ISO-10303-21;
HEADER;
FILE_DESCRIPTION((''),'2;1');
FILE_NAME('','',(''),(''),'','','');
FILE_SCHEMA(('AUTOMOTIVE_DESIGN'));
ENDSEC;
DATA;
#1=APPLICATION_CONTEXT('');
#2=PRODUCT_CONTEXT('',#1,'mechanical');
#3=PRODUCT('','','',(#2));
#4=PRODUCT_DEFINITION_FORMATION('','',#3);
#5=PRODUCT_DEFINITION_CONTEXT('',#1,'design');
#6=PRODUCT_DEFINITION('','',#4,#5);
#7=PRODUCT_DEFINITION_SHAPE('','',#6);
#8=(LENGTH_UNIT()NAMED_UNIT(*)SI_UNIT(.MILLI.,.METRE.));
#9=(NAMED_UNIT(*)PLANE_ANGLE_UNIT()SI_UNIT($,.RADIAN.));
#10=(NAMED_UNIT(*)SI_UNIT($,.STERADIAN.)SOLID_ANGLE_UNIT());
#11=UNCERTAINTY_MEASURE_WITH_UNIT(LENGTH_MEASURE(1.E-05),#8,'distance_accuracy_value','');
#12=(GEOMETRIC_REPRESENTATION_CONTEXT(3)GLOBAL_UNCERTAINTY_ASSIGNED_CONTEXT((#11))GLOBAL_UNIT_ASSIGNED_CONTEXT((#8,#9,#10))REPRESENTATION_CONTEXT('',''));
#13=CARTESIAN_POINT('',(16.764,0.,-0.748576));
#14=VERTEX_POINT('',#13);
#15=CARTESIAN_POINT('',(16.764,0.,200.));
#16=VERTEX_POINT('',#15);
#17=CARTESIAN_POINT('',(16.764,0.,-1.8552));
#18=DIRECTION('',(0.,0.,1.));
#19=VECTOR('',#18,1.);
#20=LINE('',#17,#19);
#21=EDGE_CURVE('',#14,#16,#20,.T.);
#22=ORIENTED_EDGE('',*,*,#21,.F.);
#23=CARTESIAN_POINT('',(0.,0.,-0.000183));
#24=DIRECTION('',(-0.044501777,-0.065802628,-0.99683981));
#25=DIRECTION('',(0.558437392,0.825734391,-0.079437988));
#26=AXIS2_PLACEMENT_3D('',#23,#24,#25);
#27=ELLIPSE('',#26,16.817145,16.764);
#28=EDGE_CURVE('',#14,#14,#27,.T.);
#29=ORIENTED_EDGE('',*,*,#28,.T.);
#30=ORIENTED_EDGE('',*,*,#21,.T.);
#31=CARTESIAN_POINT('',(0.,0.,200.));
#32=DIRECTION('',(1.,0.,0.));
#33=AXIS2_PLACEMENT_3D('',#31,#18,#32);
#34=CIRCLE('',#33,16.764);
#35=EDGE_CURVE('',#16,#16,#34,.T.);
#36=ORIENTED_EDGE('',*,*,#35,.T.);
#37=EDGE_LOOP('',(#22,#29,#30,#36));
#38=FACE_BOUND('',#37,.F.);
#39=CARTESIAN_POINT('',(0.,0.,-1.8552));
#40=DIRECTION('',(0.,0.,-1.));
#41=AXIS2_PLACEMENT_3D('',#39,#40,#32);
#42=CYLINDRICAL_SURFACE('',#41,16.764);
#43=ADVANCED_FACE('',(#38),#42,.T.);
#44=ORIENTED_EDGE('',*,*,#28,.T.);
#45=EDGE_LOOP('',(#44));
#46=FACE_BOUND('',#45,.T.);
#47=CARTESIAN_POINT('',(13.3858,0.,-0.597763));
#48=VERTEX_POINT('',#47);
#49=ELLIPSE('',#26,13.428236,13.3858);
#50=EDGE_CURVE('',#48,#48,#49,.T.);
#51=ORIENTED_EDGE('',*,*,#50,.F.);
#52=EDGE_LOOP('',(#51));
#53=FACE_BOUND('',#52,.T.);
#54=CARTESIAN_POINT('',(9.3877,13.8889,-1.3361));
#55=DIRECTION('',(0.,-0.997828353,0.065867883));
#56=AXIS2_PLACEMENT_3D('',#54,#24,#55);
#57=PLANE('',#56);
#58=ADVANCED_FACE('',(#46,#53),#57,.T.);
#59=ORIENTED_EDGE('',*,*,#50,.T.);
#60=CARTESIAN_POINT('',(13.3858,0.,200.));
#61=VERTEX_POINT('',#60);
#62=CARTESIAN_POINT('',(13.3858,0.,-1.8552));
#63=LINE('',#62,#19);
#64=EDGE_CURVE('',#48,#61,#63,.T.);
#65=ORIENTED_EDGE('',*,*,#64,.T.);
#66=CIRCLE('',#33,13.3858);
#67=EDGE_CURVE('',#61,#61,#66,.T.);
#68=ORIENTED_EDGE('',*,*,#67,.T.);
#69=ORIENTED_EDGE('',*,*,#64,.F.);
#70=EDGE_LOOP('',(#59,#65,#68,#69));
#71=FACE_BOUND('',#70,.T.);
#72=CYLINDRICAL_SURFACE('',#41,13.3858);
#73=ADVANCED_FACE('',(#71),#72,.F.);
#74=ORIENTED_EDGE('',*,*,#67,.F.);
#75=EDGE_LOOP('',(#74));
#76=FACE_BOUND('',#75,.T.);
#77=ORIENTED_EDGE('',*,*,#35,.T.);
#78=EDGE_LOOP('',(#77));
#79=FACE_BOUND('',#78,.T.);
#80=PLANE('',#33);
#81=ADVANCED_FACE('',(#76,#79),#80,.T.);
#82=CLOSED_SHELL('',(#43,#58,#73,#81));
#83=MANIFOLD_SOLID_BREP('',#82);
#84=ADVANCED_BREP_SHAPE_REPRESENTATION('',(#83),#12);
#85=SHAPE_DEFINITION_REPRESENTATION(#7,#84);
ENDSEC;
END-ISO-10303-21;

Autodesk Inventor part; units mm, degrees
ref_plane "Start plane" through (0, 0, -1.8552) normal (0, 0, 1) x (1, 0, 0)
ref_plane "End plane" through (0, 0, 200) normal (0, 0, 1) x (1, 0, 0)
sketch "Sketch" plane through (0, 0, 0) normal (0, 0, 1) x (1, 0, 0)
  circle A0 centre (0, 0) radius 13.3858
  circle A1 centre (0, 0) radius 16.764
  dimension "d0" = 33.528
  dimension "d1" = 3.3782
extrude "Body" add sketch "Sketch" along normal up to surface (201.8552 mm away) from surface at -1.8552
sketch "Sketch3" plane through (0, 0, 0) normal (0, 0, 1) x (1, 0, 0)
  line L0 (0, 0) -> (10, 0)
ref_plane "Work Plane3" through (0, 0, 0) normal (0, -1, 0) x (1, 0, 0)
ref_plane "Work Plane4" through (9.3877, 13.8889, -1.3361) normal (-0.0445, -0.0658, -0.9968) x (0.3738, -0.9264, 0.0445)
split "Split1" plane through (9.3877, 13.8889, -1.3361) removes the side toward (-0.0445, -0.0658, -0.9968)
sketch "Sketch4" plane through (0, 0, 0) normal (0, -1, 0) x (1, 0, 0)
  line L0 (-2, -1.8552) -> (12, -1.8552) projected
  line L1 (-2, 200) -> (12, 200) projected
  dimension "d7" = 201.8552
equation "\"d0\" = G_H"
equation "\"d1\" = G_T"
equation "\"d2\" = G_L"
equation "\"G_H\" = 33.528"
equation "\"G_T\" = 3.3782"
equation "\"G_L\" = 201.33612"
equation "\"G_OFFSET_START\" = 1.85519"
equation "\"G_OFFSET_END\" = 0"
equation "\"d4\" = -G_OFFSET_START"
equation "\"d5\" = G_OFFSET_END + B_L"
equation "\"B_L\" = 200"
properties part number "ANSI - 1 x 0.133 - 7.927" material "Steel, Mild"
